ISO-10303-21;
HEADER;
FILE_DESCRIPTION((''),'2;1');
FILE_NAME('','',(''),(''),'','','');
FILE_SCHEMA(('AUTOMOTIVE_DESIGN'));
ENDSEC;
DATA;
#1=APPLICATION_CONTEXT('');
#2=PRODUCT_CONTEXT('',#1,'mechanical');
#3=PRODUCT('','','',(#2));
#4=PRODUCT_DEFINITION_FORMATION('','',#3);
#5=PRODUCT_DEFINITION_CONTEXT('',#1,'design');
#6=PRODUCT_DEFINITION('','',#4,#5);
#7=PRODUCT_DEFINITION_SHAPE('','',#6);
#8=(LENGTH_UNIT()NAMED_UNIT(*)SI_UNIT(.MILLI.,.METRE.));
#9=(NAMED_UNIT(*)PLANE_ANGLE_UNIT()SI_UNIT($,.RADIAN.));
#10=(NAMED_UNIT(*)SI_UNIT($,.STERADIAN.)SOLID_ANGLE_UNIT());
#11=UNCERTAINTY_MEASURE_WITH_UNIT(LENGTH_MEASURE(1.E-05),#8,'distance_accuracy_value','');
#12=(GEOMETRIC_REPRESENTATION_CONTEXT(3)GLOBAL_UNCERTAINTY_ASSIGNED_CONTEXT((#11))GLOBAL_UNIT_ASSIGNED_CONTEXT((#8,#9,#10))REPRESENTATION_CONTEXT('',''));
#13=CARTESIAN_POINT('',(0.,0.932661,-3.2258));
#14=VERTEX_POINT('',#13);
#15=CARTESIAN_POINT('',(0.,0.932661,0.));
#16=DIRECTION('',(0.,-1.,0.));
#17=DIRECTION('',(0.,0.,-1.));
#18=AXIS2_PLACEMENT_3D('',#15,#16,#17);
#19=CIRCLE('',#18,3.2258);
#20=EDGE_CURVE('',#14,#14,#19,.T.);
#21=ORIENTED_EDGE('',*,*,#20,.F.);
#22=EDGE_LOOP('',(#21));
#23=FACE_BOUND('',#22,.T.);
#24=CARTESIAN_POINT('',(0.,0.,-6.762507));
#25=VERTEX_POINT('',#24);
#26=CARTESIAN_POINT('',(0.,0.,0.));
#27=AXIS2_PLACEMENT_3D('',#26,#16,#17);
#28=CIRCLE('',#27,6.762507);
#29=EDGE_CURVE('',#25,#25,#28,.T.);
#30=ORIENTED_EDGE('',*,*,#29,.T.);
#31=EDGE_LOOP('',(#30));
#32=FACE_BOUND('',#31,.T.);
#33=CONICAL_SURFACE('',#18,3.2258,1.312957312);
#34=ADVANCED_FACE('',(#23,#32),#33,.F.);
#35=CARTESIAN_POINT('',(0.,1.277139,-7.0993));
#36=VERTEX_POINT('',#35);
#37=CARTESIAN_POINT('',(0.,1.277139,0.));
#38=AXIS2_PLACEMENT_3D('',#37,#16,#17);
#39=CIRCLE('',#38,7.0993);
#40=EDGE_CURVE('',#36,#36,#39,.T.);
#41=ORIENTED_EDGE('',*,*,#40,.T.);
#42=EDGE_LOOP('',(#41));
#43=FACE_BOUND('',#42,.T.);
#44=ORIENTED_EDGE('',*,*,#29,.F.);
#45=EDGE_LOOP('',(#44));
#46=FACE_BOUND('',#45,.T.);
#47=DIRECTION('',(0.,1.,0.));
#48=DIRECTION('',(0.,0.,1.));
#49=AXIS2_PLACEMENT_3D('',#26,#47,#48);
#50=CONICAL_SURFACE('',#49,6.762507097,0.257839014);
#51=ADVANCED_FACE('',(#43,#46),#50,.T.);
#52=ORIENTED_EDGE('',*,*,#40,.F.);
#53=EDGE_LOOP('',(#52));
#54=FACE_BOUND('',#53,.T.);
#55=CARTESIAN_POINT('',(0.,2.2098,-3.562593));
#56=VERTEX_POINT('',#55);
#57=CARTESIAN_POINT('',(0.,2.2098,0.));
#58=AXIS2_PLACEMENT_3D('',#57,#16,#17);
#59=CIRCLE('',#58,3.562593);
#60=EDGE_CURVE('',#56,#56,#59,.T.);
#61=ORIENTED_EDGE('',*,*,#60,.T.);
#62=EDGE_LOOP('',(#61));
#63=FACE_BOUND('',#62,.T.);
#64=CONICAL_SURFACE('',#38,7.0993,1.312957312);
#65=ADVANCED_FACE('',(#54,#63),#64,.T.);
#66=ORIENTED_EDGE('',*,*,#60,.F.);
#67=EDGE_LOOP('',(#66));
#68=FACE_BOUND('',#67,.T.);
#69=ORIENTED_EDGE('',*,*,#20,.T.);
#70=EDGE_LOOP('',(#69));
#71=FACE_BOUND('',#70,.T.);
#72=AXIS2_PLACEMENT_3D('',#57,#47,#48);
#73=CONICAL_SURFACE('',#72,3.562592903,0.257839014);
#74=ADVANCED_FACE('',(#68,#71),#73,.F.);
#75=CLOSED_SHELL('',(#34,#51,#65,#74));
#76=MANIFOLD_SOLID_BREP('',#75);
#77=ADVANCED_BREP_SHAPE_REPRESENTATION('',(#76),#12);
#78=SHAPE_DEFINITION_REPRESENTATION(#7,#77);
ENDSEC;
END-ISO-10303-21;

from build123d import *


with BuildPart() as part:
    # Sketch1 → Revolve1 (revolve)
    with BuildSketch(Plane.XY):
        Polygon((6.762507097, 0), (3.2258, 0.932661331), (3.562592903, 2.2098), (7.0993, 1.277138669), align=None)
    revolve(axis=Axis((0, 0, 0), (0, 1, 0)))


solid = part.part
